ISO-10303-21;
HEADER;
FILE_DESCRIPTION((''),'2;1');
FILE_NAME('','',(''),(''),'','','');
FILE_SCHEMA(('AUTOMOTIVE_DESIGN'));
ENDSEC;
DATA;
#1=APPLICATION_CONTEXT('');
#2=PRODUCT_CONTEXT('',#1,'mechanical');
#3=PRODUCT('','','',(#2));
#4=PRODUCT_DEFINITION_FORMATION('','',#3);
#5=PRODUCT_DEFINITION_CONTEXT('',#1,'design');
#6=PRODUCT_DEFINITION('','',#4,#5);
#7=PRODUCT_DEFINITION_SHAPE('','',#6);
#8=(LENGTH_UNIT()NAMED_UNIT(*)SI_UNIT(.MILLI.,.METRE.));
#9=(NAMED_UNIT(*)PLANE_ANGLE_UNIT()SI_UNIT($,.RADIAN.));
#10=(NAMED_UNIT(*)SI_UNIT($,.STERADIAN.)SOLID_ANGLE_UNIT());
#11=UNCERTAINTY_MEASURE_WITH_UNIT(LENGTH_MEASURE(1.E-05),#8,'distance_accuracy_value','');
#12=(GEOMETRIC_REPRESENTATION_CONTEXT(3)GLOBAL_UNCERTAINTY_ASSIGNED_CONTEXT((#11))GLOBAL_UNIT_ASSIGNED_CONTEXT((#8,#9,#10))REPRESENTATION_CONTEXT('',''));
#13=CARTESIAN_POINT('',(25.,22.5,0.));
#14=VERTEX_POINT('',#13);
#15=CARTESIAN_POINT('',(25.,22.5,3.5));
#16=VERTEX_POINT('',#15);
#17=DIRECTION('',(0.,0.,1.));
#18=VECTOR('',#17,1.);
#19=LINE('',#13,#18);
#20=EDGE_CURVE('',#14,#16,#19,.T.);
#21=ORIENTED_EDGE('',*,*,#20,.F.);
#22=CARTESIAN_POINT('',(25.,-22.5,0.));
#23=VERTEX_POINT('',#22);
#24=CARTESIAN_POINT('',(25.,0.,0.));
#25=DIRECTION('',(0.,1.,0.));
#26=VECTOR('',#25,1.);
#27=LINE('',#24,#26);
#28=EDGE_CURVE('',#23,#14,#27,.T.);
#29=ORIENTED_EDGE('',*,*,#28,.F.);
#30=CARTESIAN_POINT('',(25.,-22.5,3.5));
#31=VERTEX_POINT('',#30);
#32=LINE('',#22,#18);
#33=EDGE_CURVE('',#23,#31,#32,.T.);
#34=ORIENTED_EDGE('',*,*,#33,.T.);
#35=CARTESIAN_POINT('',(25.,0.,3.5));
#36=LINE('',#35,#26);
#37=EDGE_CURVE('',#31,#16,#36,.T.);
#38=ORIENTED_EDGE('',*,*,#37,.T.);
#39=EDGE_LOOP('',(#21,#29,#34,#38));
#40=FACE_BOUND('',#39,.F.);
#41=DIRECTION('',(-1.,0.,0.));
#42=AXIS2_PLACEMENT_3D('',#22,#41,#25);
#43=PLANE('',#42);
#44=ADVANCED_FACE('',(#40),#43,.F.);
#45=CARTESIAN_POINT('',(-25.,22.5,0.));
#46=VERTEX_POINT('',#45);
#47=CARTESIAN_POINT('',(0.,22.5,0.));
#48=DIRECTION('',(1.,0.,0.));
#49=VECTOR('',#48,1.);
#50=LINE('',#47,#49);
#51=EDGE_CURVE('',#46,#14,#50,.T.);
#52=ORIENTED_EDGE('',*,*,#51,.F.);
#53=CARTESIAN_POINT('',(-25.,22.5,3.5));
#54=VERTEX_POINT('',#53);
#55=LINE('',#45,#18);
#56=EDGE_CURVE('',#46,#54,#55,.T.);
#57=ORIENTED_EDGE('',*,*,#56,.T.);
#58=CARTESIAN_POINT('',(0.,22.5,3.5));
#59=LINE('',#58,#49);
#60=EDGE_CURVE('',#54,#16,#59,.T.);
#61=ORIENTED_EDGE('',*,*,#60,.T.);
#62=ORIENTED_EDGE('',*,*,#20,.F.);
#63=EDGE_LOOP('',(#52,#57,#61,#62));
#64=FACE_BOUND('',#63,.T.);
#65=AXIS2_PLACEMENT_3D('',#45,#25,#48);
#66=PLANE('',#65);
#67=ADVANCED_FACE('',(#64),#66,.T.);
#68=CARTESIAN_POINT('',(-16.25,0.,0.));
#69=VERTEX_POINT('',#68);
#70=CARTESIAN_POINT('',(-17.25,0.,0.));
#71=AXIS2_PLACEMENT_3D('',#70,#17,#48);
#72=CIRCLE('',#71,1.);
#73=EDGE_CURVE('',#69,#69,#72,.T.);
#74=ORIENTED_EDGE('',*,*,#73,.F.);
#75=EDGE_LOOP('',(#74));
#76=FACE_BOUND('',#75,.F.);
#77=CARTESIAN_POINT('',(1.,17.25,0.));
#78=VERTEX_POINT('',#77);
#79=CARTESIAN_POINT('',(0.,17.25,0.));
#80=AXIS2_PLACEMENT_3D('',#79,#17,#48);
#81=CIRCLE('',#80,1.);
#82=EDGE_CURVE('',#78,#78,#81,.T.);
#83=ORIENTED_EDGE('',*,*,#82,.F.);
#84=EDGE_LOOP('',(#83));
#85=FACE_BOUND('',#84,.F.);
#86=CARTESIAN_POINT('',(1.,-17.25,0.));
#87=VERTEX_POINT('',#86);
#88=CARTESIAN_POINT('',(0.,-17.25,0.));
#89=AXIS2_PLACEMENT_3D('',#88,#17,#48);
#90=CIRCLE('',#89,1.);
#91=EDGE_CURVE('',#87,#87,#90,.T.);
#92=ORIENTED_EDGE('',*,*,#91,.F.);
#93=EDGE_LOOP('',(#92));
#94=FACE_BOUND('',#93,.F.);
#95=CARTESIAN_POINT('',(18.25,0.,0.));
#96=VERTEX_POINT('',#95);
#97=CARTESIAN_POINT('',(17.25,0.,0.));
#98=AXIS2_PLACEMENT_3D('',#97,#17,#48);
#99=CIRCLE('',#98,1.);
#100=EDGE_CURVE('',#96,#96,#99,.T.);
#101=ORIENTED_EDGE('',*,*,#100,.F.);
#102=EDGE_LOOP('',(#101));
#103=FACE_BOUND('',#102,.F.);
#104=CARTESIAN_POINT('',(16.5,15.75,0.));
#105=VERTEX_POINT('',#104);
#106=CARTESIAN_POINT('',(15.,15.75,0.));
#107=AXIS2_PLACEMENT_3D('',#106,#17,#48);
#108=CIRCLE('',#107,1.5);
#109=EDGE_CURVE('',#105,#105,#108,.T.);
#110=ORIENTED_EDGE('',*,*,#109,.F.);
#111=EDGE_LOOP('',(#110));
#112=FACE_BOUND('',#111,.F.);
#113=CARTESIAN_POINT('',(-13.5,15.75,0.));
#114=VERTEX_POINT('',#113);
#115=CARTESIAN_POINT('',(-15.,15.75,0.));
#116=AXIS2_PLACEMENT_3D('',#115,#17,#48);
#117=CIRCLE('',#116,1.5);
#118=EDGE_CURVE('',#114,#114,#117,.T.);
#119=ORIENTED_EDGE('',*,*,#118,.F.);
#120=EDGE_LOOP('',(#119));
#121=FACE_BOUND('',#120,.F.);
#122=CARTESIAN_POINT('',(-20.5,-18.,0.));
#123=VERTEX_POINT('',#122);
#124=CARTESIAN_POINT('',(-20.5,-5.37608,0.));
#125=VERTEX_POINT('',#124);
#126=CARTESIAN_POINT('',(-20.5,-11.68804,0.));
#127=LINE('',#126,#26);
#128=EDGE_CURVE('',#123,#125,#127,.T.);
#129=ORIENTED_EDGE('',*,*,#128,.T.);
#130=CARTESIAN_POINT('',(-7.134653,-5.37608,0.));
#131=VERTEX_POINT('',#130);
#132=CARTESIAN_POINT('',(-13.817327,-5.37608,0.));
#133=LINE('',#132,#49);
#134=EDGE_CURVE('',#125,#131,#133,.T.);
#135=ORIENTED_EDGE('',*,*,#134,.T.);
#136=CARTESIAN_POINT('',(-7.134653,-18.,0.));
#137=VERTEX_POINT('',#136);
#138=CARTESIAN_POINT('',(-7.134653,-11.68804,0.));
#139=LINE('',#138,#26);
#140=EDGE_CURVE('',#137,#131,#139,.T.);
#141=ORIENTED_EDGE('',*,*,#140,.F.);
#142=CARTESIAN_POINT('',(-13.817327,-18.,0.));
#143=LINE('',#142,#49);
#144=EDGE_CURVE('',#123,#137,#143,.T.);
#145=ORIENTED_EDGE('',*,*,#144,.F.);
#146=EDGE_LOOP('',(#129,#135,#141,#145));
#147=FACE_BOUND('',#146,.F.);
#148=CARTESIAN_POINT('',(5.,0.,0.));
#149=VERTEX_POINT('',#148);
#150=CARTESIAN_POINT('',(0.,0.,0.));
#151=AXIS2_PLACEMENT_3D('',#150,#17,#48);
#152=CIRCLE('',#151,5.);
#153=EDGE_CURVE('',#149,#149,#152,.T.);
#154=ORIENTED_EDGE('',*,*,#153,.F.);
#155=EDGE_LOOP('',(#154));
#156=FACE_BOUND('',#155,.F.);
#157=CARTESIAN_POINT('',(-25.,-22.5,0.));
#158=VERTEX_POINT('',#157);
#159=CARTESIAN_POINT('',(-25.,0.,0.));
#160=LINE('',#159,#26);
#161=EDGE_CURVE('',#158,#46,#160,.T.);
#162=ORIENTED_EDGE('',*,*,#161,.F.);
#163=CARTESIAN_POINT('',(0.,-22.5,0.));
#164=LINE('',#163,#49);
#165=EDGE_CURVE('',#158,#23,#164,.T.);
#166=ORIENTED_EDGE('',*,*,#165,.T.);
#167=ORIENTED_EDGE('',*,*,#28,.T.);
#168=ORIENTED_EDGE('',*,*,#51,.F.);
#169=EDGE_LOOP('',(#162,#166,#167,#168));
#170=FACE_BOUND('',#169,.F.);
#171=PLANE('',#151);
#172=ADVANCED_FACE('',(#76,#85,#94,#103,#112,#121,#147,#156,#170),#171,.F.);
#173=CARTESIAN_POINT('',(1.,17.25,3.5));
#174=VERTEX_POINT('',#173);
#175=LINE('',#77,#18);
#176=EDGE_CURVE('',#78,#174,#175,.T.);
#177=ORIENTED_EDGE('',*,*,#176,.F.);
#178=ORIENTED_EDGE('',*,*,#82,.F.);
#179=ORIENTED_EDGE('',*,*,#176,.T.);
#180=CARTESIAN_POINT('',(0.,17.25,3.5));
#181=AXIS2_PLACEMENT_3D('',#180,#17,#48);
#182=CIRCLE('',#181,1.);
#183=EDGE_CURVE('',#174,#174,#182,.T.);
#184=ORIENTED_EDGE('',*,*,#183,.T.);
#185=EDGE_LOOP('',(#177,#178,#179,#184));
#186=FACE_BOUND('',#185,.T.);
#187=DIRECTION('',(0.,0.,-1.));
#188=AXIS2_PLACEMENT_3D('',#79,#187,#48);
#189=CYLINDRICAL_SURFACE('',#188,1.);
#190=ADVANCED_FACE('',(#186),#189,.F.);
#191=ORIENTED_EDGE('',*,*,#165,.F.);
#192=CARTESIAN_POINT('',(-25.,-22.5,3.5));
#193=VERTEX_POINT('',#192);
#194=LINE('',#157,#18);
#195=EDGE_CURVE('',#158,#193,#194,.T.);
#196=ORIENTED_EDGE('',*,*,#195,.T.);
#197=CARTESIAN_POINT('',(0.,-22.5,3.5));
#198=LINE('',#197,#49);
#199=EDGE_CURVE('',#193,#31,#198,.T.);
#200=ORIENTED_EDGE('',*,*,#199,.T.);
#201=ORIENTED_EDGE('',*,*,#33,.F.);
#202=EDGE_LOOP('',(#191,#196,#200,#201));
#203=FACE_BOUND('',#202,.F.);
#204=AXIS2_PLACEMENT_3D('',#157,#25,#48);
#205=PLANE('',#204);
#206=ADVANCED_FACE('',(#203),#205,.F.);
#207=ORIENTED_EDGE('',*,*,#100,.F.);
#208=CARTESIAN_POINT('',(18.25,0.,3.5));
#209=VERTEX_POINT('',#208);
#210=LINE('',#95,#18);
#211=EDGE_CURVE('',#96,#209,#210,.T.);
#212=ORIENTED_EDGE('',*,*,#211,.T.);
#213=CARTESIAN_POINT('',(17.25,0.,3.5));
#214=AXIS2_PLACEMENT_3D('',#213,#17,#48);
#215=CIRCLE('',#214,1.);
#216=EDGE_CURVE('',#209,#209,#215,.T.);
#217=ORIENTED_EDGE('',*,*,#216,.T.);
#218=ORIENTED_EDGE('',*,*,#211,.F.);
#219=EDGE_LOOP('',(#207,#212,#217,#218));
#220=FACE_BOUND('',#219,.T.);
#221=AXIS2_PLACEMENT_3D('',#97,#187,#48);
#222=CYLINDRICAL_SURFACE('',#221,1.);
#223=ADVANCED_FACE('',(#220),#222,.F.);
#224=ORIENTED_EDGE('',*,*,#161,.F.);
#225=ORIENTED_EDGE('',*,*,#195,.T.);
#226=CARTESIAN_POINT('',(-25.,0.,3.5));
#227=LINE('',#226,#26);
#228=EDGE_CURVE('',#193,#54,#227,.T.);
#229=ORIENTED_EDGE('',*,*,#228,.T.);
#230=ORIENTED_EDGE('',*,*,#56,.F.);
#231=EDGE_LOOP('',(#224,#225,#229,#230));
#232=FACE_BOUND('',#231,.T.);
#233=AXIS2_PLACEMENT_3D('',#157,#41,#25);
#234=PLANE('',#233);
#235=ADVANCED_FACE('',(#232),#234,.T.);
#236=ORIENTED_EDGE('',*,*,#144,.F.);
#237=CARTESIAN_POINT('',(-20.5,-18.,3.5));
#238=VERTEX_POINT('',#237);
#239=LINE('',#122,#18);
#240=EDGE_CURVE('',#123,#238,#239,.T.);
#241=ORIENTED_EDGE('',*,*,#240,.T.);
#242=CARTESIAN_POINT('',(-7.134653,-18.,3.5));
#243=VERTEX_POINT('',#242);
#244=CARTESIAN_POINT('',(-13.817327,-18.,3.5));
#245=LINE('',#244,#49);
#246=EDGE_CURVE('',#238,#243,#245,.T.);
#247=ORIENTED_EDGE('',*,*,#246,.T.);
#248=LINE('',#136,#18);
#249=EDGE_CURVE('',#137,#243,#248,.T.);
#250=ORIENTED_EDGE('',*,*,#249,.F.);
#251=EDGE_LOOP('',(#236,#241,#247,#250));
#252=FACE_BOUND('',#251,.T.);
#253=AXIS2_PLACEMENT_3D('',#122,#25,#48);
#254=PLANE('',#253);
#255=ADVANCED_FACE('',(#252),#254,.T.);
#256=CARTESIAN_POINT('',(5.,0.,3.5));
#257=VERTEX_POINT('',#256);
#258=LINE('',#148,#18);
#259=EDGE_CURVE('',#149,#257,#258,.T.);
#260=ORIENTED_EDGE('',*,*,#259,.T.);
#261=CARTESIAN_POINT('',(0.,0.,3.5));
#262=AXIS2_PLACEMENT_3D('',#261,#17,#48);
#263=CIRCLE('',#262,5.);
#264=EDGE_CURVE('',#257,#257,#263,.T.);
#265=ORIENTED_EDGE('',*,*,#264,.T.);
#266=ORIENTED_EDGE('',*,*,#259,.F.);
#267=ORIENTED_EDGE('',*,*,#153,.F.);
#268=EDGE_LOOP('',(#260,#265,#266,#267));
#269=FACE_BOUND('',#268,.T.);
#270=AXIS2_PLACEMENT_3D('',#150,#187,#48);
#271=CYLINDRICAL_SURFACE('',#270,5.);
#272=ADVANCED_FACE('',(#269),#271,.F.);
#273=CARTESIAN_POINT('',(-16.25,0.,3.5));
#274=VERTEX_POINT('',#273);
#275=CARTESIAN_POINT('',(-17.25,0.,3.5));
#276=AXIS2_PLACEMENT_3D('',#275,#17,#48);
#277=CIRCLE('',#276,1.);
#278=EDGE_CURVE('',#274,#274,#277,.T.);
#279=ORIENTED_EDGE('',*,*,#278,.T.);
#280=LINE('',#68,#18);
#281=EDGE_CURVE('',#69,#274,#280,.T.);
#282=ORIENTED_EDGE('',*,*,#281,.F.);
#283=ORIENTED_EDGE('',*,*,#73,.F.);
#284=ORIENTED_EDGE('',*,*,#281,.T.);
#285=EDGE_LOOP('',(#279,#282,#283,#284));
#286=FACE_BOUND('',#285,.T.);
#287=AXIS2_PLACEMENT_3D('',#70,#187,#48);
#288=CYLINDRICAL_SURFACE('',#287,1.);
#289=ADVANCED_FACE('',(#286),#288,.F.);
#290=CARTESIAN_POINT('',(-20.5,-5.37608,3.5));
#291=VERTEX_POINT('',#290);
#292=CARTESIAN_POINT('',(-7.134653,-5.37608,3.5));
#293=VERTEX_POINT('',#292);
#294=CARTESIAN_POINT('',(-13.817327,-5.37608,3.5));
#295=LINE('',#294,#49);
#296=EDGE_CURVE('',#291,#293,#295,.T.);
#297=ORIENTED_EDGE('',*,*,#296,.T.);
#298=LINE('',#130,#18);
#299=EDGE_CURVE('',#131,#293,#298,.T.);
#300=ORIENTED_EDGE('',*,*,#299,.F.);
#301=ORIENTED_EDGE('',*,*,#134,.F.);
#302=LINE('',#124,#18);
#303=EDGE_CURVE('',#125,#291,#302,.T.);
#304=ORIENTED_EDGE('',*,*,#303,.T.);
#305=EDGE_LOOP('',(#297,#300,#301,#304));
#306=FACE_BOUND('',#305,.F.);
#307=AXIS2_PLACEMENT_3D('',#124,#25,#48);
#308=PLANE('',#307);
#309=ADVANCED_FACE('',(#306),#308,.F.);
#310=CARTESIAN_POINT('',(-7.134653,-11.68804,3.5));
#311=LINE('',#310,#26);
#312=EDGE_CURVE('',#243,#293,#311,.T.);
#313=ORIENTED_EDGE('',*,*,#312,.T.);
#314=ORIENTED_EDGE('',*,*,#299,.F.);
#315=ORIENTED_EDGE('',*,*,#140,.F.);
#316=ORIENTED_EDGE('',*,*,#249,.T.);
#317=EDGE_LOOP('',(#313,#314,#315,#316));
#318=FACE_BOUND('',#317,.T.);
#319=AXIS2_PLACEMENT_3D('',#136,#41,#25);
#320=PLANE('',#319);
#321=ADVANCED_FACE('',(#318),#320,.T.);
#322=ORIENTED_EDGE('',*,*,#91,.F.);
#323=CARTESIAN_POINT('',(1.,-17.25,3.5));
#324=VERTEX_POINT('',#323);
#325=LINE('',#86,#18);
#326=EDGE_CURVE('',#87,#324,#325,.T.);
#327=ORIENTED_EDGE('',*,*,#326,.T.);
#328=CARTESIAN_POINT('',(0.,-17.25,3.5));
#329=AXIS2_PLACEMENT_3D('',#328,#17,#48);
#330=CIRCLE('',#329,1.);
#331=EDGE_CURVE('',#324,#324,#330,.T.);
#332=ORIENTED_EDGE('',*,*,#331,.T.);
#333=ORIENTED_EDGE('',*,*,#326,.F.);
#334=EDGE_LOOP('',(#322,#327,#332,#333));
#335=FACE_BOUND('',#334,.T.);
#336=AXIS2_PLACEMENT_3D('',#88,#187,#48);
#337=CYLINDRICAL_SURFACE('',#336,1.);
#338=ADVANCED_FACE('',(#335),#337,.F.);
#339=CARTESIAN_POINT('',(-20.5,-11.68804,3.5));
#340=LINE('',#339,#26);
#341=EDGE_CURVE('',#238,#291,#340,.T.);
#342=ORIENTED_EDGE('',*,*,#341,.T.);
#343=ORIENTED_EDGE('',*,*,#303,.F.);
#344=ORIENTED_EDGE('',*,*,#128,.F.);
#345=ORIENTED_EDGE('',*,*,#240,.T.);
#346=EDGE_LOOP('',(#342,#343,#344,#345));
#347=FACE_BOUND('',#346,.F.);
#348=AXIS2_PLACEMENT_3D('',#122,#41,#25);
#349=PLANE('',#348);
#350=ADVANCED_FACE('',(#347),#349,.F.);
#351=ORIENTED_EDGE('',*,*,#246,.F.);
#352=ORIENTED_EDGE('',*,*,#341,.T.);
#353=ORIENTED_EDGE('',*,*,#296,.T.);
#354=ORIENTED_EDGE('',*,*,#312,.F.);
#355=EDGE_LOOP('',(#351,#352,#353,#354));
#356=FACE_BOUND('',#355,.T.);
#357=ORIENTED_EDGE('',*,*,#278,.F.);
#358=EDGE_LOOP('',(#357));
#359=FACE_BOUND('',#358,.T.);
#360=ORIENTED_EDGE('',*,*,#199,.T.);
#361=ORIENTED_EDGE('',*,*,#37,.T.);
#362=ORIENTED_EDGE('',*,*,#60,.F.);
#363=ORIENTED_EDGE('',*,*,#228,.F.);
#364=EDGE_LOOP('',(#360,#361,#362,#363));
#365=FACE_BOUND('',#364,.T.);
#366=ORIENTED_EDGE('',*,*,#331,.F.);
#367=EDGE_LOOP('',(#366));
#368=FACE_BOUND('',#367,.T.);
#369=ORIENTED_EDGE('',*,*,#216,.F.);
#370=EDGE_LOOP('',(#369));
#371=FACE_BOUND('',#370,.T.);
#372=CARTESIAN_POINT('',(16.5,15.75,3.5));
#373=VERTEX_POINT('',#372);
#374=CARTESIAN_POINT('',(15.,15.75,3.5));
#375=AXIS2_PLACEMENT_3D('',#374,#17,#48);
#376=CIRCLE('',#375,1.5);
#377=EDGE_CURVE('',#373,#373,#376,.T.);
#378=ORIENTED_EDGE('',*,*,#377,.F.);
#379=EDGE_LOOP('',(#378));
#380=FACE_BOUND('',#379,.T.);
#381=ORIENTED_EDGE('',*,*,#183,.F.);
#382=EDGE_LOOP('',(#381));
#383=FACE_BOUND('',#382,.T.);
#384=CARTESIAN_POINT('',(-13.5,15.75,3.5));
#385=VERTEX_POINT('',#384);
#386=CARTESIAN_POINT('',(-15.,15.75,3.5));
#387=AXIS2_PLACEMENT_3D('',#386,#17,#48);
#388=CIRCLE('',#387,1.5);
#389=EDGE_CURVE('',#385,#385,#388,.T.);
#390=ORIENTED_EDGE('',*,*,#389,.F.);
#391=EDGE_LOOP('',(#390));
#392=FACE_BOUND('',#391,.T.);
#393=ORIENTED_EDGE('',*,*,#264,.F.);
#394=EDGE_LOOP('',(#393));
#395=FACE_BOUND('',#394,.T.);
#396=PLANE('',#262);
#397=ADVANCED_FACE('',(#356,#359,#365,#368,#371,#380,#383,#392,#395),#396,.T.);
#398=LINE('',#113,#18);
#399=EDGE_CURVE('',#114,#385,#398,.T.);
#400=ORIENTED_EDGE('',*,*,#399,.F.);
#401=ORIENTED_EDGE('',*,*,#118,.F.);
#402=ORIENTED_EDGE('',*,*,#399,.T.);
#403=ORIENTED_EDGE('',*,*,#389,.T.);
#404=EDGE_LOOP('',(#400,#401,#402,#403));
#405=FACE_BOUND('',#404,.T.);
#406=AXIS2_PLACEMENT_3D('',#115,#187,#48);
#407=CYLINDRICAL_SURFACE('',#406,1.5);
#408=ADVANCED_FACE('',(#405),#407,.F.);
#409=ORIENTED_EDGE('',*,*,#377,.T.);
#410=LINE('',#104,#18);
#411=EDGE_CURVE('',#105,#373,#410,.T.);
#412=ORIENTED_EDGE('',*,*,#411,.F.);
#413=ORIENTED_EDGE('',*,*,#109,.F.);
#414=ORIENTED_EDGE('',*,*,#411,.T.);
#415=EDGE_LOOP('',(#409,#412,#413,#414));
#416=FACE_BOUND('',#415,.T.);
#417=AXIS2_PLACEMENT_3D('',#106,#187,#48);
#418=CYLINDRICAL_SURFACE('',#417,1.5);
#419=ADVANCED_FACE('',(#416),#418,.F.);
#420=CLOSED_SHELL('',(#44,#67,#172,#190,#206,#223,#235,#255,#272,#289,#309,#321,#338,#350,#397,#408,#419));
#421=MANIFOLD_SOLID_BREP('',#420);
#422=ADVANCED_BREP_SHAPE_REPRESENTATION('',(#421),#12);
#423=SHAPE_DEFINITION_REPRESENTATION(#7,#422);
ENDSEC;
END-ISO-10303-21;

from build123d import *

# Parameters (mm, degrees)
F0_W     = 50
F0_H     = 45
F0_W_2   = 13.365347
F0_H_2   = 12.623919
F0_R     = 1
F0_R_2   = 1.5
F0_R_3   = 5
F1_DEPTH = 3.5


with BuildPart() as f1:
    # F0 (on Top) → F1 (new body)
    with BuildSketch(Plane.XY):
        Rectangle(F0_W, F0_H)
        with Locations((-13.817327, -11.68804)):
            Rectangle(F0_W_2, F0_H_2, mode=Mode.SUBTRACT)
        with Locations((0, -17.25)):
            Circle(F0_R, mode=Mode.SUBTRACT)
        with Locations((-17.25, 0)):
            Circle(F0_R, mode=Mode.SUBTRACT)
        with Locations((-15, 15.75)):
            Circle(F0_R_2, mode=Mode.SUBTRACT)
        Circle(F0_R_3, mode=Mode.SUBTRACT)
        with Locations((17.25, 0)):
            Circle(F0_R, mode=Mode.SUBTRACT)
        with Locations((0, 17.25)):
            Circle(F0_R, mode=Mode.SUBTRACT)
        with Locations((15, 15.75)):
            Circle(F0_R_2, mode=Mode.SUBTRACT)
    extrude(amount=F1_DEPTH)


solid = f1.part
